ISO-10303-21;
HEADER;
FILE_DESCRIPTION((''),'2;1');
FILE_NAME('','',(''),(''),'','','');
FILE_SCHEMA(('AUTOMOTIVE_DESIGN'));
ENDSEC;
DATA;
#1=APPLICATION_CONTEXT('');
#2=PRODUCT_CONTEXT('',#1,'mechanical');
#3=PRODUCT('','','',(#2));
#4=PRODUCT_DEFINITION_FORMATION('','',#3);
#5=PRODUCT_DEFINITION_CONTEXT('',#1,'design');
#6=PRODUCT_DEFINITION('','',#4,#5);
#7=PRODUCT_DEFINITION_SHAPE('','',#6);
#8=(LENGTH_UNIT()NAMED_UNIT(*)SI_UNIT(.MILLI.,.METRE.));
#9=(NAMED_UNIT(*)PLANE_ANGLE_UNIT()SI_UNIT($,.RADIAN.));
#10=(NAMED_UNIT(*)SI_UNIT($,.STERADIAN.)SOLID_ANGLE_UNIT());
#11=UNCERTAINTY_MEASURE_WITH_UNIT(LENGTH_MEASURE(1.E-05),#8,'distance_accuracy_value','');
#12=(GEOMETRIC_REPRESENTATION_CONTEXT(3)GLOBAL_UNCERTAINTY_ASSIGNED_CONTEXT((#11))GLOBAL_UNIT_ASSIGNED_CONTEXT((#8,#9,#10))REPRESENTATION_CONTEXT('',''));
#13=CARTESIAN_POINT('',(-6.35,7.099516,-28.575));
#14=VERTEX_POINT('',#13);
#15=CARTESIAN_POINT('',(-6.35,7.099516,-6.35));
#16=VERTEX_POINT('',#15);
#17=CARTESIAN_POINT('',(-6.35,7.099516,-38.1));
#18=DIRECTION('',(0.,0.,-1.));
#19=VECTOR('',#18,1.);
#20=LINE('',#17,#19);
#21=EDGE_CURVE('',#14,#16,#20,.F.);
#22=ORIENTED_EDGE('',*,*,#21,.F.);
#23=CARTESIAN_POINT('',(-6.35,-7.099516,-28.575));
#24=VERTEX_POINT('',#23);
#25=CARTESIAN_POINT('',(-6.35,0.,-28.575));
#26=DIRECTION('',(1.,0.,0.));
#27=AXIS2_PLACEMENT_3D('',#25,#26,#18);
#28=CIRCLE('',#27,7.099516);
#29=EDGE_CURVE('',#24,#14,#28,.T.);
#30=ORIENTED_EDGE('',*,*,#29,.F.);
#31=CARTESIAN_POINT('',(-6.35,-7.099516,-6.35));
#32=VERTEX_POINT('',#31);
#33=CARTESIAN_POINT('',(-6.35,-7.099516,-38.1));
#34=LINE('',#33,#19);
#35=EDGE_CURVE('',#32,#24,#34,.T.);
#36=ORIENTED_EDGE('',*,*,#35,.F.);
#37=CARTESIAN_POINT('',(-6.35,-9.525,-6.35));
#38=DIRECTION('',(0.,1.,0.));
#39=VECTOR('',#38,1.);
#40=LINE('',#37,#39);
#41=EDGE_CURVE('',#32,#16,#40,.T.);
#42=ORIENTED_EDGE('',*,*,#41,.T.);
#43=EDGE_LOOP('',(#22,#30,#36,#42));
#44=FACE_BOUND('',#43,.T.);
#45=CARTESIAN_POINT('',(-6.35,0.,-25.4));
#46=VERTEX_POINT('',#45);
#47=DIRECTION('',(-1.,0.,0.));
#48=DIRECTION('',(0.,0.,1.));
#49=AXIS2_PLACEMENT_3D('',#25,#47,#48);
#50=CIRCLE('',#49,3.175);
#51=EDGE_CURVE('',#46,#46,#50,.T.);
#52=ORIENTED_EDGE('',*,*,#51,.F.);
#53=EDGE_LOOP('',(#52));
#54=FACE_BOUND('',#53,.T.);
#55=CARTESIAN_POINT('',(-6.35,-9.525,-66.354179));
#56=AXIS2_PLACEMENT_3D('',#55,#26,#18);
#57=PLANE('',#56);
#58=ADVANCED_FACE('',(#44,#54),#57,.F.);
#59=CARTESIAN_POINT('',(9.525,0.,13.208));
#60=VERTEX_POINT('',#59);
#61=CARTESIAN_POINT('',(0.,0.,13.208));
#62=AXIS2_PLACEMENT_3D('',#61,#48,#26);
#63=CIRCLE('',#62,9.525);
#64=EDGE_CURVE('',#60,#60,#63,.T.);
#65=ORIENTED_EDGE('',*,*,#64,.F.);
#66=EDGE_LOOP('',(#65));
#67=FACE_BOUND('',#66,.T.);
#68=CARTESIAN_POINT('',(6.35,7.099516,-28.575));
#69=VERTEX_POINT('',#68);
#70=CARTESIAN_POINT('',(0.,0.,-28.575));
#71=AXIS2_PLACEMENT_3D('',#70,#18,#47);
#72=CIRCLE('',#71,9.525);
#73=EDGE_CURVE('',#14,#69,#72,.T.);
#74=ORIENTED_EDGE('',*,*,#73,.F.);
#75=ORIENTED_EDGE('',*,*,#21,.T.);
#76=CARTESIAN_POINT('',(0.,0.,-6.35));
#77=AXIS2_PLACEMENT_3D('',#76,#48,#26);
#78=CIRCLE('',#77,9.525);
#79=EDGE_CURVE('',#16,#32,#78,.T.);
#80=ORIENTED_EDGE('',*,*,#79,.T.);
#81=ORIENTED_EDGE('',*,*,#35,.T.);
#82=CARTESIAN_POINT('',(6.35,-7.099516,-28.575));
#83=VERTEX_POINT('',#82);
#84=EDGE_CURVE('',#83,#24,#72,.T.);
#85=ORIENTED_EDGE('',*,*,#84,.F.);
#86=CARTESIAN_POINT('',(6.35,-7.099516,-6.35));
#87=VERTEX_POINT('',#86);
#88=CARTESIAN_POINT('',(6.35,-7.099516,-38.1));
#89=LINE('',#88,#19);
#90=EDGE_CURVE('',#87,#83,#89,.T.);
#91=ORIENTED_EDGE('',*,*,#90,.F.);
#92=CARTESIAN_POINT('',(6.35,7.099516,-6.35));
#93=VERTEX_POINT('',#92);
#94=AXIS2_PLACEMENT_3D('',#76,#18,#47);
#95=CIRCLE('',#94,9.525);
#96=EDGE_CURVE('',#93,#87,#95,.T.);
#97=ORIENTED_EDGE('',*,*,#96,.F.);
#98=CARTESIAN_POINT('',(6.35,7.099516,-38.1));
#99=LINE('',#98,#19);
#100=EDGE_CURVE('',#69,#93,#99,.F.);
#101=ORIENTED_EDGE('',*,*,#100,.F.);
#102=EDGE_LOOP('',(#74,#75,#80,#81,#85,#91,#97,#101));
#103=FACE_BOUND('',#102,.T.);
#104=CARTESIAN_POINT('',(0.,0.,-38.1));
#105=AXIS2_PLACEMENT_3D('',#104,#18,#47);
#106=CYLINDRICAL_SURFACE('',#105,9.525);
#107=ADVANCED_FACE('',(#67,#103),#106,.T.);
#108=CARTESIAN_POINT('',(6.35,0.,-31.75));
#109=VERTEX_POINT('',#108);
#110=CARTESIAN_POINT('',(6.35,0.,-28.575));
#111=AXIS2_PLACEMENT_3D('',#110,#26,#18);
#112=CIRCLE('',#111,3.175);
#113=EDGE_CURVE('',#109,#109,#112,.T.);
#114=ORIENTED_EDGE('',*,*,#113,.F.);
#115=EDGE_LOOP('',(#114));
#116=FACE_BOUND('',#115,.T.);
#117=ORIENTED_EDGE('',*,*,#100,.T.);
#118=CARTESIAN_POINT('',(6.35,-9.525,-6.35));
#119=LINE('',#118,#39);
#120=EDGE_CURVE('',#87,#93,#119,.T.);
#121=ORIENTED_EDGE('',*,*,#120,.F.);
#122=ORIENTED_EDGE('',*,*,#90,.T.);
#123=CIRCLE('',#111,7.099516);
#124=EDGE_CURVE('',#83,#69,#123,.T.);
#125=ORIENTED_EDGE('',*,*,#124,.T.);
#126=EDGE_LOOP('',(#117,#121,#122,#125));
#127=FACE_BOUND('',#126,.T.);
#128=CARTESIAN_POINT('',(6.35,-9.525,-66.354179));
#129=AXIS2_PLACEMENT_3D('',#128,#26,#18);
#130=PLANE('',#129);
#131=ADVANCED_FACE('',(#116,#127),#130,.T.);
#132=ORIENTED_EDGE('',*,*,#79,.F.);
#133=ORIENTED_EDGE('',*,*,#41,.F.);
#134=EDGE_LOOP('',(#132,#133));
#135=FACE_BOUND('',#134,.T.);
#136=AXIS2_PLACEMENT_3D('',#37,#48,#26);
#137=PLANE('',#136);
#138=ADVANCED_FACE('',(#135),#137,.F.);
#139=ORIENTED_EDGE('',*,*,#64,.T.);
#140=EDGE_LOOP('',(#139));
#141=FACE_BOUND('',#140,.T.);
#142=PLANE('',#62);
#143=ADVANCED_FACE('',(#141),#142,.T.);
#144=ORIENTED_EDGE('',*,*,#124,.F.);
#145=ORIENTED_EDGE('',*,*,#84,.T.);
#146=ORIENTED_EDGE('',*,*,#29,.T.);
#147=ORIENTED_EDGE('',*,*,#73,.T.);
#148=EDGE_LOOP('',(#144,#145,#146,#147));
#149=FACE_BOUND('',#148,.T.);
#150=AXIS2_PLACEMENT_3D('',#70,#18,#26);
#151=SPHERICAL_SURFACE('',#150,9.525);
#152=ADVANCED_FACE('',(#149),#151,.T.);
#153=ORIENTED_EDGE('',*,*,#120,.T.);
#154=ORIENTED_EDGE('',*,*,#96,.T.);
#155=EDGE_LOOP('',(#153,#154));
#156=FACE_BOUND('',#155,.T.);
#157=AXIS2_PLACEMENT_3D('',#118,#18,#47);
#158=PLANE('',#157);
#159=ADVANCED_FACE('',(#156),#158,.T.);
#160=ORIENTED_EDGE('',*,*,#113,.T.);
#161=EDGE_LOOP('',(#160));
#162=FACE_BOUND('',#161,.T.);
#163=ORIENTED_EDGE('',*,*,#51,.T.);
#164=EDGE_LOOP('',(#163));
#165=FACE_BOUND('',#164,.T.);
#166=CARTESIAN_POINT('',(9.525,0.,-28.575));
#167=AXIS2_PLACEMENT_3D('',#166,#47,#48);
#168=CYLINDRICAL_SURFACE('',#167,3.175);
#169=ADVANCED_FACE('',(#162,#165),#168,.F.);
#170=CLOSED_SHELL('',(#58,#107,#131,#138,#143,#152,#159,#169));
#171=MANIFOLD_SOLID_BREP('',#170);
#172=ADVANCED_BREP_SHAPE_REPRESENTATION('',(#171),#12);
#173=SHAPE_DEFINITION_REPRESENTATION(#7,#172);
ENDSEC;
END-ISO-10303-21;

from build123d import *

# Parameters (mm, degrees)
SKETCH2_W           = 12.7
SKETCH2_H           = 60.004179461
CUT_EXTRUDE1_DEPTH  = 41.411152545
SKETCH3_R           = 3.175
CUT_EXTRUDE2_DEPTH  = 43.359783404
BOSS_EXTRUDE2_START = 13.208
SKETCH11_R          = 9.525
BOSS_EXTRUDE2_DEPTH = 13.208


with BuildPart() as part:
    # Sketch1 → Revolve1 (revolve)
    with BuildSketch(Plane(origin=(0, 0, 0), x_dir=(1, 0, 0), z_dir=(0, 1, 0)), mode=Mode.PRIVATE) as revolve1_sk:
        with BuildLine():
            Line((0, 0), (0, 28.575))
            Line((0, 28.575), (0, 38.1))
            ThreePointArc((0, 38.1), (6.735192091, 35.310192091), (9.525, 28.575))
            Line((9.525, 28.575), (9.525, 0))
            Line((9.525, 0), (0, 0))
        make_face()
    revolve(revolve1_sk.sketch.rotate(Axis((0, 0, -38.1), (0, 0, 1)), 180), axis=Axis((0, 0, -38.1), (0, 0, 1)))

    # Sketch2 → Cut-Extrude1 (cut, symmetric)
    with BuildSketch(Plane(origin=(0, 0, 0), x_dir=(1, 0, 0), z_dir=(0, 1, 0))):
        with Locations((-12.7, 36.35208973)):
            Rectangle(SKETCH2_W, SKETCH2_H)
    cut_extrude1 = extrude(amount=CUT_EXTRUDE1_DEPTH, both=True, mode=Mode.SUBTRACT)

    # Mirror1: Cut-Extrude1 across plane
    add(cut_extrude1.mirror(Plane(origin=(0, 0, 0), x_dir=(0, 0, 1), z_dir=(1, 0, 0))), mode=Mode.SUBTRACT)

    # Sketch3 → Cut-Extrude2 (cut, through all)
    with BuildSketch(Plane.ZY.offset(6.35)):
        with Locations((-28.575, 0)):
            Circle(SKETCH3_R)
    extrude(amount=-CUT_EXTRUDE2_DEPTH, mode=Mode.SUBTRACT)

    # Sketch11 → Boss-Extrude2 (add)
    with BuildSketch(Plane.XY.offset(BOSS_EXTRUDE2_START)):
        with Locations(Location((0, 0, 0), (0, 0, 131.810314896))):
            Circle(SKETCH11_R)
    extrude(amount=-BOSS_EXTRUDE2_DEPTH)


solid = part.part
